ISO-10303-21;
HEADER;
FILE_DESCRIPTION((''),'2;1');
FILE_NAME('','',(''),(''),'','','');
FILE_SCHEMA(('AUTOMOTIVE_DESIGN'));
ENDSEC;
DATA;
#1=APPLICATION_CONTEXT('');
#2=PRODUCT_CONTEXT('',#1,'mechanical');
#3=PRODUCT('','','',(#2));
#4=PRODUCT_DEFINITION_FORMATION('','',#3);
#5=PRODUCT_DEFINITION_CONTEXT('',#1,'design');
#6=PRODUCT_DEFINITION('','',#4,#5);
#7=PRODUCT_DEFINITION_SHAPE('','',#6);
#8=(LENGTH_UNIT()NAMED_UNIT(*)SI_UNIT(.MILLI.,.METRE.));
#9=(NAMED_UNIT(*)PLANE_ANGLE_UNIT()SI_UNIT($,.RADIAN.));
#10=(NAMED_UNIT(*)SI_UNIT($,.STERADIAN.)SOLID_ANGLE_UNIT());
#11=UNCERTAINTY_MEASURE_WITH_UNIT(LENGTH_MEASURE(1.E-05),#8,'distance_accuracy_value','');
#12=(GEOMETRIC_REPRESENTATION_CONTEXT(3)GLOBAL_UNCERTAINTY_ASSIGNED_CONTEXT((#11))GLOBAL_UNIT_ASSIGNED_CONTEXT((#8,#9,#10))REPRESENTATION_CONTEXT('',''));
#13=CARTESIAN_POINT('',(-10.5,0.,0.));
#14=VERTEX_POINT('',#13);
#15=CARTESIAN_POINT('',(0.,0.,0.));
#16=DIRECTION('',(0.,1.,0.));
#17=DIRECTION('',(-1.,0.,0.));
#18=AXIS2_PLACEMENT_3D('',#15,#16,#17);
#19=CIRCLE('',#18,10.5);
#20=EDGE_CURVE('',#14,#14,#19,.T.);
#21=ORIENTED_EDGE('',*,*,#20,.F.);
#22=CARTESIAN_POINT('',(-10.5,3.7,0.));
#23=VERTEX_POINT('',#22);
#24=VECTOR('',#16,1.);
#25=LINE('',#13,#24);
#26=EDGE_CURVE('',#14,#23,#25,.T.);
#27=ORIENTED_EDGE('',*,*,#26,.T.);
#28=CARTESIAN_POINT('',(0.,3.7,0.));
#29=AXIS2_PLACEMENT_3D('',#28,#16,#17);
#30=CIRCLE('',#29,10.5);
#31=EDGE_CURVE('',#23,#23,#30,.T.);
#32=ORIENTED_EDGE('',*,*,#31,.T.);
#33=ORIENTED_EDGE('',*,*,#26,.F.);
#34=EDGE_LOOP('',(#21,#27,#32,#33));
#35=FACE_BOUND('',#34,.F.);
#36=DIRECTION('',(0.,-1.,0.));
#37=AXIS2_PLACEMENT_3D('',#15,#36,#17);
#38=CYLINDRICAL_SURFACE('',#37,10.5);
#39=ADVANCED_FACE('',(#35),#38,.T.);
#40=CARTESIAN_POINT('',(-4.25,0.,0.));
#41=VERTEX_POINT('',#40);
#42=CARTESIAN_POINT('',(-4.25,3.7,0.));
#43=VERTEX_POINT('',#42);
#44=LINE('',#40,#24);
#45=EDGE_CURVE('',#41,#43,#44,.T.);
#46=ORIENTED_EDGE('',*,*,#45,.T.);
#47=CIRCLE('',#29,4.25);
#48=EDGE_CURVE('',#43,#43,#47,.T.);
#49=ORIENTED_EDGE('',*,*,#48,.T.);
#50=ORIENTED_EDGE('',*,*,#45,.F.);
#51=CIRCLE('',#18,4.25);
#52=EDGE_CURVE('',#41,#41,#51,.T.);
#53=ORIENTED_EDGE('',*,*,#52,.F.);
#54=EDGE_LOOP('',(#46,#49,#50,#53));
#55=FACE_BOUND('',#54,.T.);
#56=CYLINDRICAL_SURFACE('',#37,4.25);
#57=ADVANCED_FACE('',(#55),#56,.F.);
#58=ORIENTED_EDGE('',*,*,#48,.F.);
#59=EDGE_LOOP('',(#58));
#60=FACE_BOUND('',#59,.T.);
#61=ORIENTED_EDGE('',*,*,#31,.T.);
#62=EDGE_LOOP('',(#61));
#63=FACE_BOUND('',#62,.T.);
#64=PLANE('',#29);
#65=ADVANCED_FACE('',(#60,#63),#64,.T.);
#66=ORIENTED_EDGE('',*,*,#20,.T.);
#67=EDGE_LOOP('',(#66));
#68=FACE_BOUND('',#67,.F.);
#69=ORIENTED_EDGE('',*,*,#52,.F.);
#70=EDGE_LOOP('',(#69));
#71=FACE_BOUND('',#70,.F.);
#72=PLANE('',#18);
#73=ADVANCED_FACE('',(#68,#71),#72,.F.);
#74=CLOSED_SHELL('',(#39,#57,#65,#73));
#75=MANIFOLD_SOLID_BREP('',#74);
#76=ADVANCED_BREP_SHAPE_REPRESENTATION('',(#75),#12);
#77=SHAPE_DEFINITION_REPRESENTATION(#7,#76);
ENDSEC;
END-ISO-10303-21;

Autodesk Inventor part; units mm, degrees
ref_plane "YZ Plane" through (0, 0, 0) normal (1, 0, 0) x (0, 1, 0)
ref_plane "XZ Plane" through (0, 0, 0) normal (0, 1, 0) x (-1, 0, 0)
ref_plane "XY Plane" through (0, 0, 0) normal (0, 0, 1) x (1, 0, 0)
sketch "スケッチ1" plane through (0, 0, 0) normal (0, 1, 0) x (-1, 0, 0)
  circle A0 centre (0, 0) radius 4.25
  circle A1 centre (0, 0) radius 10.5
  dimension "d0" = 8.5
  dimension "d1" = 21
extrude "押し出し1" add sketch "スケッチ1" along normal blind 3.7
properties part number "shoulder1_upper_enocder_spacer copy"
